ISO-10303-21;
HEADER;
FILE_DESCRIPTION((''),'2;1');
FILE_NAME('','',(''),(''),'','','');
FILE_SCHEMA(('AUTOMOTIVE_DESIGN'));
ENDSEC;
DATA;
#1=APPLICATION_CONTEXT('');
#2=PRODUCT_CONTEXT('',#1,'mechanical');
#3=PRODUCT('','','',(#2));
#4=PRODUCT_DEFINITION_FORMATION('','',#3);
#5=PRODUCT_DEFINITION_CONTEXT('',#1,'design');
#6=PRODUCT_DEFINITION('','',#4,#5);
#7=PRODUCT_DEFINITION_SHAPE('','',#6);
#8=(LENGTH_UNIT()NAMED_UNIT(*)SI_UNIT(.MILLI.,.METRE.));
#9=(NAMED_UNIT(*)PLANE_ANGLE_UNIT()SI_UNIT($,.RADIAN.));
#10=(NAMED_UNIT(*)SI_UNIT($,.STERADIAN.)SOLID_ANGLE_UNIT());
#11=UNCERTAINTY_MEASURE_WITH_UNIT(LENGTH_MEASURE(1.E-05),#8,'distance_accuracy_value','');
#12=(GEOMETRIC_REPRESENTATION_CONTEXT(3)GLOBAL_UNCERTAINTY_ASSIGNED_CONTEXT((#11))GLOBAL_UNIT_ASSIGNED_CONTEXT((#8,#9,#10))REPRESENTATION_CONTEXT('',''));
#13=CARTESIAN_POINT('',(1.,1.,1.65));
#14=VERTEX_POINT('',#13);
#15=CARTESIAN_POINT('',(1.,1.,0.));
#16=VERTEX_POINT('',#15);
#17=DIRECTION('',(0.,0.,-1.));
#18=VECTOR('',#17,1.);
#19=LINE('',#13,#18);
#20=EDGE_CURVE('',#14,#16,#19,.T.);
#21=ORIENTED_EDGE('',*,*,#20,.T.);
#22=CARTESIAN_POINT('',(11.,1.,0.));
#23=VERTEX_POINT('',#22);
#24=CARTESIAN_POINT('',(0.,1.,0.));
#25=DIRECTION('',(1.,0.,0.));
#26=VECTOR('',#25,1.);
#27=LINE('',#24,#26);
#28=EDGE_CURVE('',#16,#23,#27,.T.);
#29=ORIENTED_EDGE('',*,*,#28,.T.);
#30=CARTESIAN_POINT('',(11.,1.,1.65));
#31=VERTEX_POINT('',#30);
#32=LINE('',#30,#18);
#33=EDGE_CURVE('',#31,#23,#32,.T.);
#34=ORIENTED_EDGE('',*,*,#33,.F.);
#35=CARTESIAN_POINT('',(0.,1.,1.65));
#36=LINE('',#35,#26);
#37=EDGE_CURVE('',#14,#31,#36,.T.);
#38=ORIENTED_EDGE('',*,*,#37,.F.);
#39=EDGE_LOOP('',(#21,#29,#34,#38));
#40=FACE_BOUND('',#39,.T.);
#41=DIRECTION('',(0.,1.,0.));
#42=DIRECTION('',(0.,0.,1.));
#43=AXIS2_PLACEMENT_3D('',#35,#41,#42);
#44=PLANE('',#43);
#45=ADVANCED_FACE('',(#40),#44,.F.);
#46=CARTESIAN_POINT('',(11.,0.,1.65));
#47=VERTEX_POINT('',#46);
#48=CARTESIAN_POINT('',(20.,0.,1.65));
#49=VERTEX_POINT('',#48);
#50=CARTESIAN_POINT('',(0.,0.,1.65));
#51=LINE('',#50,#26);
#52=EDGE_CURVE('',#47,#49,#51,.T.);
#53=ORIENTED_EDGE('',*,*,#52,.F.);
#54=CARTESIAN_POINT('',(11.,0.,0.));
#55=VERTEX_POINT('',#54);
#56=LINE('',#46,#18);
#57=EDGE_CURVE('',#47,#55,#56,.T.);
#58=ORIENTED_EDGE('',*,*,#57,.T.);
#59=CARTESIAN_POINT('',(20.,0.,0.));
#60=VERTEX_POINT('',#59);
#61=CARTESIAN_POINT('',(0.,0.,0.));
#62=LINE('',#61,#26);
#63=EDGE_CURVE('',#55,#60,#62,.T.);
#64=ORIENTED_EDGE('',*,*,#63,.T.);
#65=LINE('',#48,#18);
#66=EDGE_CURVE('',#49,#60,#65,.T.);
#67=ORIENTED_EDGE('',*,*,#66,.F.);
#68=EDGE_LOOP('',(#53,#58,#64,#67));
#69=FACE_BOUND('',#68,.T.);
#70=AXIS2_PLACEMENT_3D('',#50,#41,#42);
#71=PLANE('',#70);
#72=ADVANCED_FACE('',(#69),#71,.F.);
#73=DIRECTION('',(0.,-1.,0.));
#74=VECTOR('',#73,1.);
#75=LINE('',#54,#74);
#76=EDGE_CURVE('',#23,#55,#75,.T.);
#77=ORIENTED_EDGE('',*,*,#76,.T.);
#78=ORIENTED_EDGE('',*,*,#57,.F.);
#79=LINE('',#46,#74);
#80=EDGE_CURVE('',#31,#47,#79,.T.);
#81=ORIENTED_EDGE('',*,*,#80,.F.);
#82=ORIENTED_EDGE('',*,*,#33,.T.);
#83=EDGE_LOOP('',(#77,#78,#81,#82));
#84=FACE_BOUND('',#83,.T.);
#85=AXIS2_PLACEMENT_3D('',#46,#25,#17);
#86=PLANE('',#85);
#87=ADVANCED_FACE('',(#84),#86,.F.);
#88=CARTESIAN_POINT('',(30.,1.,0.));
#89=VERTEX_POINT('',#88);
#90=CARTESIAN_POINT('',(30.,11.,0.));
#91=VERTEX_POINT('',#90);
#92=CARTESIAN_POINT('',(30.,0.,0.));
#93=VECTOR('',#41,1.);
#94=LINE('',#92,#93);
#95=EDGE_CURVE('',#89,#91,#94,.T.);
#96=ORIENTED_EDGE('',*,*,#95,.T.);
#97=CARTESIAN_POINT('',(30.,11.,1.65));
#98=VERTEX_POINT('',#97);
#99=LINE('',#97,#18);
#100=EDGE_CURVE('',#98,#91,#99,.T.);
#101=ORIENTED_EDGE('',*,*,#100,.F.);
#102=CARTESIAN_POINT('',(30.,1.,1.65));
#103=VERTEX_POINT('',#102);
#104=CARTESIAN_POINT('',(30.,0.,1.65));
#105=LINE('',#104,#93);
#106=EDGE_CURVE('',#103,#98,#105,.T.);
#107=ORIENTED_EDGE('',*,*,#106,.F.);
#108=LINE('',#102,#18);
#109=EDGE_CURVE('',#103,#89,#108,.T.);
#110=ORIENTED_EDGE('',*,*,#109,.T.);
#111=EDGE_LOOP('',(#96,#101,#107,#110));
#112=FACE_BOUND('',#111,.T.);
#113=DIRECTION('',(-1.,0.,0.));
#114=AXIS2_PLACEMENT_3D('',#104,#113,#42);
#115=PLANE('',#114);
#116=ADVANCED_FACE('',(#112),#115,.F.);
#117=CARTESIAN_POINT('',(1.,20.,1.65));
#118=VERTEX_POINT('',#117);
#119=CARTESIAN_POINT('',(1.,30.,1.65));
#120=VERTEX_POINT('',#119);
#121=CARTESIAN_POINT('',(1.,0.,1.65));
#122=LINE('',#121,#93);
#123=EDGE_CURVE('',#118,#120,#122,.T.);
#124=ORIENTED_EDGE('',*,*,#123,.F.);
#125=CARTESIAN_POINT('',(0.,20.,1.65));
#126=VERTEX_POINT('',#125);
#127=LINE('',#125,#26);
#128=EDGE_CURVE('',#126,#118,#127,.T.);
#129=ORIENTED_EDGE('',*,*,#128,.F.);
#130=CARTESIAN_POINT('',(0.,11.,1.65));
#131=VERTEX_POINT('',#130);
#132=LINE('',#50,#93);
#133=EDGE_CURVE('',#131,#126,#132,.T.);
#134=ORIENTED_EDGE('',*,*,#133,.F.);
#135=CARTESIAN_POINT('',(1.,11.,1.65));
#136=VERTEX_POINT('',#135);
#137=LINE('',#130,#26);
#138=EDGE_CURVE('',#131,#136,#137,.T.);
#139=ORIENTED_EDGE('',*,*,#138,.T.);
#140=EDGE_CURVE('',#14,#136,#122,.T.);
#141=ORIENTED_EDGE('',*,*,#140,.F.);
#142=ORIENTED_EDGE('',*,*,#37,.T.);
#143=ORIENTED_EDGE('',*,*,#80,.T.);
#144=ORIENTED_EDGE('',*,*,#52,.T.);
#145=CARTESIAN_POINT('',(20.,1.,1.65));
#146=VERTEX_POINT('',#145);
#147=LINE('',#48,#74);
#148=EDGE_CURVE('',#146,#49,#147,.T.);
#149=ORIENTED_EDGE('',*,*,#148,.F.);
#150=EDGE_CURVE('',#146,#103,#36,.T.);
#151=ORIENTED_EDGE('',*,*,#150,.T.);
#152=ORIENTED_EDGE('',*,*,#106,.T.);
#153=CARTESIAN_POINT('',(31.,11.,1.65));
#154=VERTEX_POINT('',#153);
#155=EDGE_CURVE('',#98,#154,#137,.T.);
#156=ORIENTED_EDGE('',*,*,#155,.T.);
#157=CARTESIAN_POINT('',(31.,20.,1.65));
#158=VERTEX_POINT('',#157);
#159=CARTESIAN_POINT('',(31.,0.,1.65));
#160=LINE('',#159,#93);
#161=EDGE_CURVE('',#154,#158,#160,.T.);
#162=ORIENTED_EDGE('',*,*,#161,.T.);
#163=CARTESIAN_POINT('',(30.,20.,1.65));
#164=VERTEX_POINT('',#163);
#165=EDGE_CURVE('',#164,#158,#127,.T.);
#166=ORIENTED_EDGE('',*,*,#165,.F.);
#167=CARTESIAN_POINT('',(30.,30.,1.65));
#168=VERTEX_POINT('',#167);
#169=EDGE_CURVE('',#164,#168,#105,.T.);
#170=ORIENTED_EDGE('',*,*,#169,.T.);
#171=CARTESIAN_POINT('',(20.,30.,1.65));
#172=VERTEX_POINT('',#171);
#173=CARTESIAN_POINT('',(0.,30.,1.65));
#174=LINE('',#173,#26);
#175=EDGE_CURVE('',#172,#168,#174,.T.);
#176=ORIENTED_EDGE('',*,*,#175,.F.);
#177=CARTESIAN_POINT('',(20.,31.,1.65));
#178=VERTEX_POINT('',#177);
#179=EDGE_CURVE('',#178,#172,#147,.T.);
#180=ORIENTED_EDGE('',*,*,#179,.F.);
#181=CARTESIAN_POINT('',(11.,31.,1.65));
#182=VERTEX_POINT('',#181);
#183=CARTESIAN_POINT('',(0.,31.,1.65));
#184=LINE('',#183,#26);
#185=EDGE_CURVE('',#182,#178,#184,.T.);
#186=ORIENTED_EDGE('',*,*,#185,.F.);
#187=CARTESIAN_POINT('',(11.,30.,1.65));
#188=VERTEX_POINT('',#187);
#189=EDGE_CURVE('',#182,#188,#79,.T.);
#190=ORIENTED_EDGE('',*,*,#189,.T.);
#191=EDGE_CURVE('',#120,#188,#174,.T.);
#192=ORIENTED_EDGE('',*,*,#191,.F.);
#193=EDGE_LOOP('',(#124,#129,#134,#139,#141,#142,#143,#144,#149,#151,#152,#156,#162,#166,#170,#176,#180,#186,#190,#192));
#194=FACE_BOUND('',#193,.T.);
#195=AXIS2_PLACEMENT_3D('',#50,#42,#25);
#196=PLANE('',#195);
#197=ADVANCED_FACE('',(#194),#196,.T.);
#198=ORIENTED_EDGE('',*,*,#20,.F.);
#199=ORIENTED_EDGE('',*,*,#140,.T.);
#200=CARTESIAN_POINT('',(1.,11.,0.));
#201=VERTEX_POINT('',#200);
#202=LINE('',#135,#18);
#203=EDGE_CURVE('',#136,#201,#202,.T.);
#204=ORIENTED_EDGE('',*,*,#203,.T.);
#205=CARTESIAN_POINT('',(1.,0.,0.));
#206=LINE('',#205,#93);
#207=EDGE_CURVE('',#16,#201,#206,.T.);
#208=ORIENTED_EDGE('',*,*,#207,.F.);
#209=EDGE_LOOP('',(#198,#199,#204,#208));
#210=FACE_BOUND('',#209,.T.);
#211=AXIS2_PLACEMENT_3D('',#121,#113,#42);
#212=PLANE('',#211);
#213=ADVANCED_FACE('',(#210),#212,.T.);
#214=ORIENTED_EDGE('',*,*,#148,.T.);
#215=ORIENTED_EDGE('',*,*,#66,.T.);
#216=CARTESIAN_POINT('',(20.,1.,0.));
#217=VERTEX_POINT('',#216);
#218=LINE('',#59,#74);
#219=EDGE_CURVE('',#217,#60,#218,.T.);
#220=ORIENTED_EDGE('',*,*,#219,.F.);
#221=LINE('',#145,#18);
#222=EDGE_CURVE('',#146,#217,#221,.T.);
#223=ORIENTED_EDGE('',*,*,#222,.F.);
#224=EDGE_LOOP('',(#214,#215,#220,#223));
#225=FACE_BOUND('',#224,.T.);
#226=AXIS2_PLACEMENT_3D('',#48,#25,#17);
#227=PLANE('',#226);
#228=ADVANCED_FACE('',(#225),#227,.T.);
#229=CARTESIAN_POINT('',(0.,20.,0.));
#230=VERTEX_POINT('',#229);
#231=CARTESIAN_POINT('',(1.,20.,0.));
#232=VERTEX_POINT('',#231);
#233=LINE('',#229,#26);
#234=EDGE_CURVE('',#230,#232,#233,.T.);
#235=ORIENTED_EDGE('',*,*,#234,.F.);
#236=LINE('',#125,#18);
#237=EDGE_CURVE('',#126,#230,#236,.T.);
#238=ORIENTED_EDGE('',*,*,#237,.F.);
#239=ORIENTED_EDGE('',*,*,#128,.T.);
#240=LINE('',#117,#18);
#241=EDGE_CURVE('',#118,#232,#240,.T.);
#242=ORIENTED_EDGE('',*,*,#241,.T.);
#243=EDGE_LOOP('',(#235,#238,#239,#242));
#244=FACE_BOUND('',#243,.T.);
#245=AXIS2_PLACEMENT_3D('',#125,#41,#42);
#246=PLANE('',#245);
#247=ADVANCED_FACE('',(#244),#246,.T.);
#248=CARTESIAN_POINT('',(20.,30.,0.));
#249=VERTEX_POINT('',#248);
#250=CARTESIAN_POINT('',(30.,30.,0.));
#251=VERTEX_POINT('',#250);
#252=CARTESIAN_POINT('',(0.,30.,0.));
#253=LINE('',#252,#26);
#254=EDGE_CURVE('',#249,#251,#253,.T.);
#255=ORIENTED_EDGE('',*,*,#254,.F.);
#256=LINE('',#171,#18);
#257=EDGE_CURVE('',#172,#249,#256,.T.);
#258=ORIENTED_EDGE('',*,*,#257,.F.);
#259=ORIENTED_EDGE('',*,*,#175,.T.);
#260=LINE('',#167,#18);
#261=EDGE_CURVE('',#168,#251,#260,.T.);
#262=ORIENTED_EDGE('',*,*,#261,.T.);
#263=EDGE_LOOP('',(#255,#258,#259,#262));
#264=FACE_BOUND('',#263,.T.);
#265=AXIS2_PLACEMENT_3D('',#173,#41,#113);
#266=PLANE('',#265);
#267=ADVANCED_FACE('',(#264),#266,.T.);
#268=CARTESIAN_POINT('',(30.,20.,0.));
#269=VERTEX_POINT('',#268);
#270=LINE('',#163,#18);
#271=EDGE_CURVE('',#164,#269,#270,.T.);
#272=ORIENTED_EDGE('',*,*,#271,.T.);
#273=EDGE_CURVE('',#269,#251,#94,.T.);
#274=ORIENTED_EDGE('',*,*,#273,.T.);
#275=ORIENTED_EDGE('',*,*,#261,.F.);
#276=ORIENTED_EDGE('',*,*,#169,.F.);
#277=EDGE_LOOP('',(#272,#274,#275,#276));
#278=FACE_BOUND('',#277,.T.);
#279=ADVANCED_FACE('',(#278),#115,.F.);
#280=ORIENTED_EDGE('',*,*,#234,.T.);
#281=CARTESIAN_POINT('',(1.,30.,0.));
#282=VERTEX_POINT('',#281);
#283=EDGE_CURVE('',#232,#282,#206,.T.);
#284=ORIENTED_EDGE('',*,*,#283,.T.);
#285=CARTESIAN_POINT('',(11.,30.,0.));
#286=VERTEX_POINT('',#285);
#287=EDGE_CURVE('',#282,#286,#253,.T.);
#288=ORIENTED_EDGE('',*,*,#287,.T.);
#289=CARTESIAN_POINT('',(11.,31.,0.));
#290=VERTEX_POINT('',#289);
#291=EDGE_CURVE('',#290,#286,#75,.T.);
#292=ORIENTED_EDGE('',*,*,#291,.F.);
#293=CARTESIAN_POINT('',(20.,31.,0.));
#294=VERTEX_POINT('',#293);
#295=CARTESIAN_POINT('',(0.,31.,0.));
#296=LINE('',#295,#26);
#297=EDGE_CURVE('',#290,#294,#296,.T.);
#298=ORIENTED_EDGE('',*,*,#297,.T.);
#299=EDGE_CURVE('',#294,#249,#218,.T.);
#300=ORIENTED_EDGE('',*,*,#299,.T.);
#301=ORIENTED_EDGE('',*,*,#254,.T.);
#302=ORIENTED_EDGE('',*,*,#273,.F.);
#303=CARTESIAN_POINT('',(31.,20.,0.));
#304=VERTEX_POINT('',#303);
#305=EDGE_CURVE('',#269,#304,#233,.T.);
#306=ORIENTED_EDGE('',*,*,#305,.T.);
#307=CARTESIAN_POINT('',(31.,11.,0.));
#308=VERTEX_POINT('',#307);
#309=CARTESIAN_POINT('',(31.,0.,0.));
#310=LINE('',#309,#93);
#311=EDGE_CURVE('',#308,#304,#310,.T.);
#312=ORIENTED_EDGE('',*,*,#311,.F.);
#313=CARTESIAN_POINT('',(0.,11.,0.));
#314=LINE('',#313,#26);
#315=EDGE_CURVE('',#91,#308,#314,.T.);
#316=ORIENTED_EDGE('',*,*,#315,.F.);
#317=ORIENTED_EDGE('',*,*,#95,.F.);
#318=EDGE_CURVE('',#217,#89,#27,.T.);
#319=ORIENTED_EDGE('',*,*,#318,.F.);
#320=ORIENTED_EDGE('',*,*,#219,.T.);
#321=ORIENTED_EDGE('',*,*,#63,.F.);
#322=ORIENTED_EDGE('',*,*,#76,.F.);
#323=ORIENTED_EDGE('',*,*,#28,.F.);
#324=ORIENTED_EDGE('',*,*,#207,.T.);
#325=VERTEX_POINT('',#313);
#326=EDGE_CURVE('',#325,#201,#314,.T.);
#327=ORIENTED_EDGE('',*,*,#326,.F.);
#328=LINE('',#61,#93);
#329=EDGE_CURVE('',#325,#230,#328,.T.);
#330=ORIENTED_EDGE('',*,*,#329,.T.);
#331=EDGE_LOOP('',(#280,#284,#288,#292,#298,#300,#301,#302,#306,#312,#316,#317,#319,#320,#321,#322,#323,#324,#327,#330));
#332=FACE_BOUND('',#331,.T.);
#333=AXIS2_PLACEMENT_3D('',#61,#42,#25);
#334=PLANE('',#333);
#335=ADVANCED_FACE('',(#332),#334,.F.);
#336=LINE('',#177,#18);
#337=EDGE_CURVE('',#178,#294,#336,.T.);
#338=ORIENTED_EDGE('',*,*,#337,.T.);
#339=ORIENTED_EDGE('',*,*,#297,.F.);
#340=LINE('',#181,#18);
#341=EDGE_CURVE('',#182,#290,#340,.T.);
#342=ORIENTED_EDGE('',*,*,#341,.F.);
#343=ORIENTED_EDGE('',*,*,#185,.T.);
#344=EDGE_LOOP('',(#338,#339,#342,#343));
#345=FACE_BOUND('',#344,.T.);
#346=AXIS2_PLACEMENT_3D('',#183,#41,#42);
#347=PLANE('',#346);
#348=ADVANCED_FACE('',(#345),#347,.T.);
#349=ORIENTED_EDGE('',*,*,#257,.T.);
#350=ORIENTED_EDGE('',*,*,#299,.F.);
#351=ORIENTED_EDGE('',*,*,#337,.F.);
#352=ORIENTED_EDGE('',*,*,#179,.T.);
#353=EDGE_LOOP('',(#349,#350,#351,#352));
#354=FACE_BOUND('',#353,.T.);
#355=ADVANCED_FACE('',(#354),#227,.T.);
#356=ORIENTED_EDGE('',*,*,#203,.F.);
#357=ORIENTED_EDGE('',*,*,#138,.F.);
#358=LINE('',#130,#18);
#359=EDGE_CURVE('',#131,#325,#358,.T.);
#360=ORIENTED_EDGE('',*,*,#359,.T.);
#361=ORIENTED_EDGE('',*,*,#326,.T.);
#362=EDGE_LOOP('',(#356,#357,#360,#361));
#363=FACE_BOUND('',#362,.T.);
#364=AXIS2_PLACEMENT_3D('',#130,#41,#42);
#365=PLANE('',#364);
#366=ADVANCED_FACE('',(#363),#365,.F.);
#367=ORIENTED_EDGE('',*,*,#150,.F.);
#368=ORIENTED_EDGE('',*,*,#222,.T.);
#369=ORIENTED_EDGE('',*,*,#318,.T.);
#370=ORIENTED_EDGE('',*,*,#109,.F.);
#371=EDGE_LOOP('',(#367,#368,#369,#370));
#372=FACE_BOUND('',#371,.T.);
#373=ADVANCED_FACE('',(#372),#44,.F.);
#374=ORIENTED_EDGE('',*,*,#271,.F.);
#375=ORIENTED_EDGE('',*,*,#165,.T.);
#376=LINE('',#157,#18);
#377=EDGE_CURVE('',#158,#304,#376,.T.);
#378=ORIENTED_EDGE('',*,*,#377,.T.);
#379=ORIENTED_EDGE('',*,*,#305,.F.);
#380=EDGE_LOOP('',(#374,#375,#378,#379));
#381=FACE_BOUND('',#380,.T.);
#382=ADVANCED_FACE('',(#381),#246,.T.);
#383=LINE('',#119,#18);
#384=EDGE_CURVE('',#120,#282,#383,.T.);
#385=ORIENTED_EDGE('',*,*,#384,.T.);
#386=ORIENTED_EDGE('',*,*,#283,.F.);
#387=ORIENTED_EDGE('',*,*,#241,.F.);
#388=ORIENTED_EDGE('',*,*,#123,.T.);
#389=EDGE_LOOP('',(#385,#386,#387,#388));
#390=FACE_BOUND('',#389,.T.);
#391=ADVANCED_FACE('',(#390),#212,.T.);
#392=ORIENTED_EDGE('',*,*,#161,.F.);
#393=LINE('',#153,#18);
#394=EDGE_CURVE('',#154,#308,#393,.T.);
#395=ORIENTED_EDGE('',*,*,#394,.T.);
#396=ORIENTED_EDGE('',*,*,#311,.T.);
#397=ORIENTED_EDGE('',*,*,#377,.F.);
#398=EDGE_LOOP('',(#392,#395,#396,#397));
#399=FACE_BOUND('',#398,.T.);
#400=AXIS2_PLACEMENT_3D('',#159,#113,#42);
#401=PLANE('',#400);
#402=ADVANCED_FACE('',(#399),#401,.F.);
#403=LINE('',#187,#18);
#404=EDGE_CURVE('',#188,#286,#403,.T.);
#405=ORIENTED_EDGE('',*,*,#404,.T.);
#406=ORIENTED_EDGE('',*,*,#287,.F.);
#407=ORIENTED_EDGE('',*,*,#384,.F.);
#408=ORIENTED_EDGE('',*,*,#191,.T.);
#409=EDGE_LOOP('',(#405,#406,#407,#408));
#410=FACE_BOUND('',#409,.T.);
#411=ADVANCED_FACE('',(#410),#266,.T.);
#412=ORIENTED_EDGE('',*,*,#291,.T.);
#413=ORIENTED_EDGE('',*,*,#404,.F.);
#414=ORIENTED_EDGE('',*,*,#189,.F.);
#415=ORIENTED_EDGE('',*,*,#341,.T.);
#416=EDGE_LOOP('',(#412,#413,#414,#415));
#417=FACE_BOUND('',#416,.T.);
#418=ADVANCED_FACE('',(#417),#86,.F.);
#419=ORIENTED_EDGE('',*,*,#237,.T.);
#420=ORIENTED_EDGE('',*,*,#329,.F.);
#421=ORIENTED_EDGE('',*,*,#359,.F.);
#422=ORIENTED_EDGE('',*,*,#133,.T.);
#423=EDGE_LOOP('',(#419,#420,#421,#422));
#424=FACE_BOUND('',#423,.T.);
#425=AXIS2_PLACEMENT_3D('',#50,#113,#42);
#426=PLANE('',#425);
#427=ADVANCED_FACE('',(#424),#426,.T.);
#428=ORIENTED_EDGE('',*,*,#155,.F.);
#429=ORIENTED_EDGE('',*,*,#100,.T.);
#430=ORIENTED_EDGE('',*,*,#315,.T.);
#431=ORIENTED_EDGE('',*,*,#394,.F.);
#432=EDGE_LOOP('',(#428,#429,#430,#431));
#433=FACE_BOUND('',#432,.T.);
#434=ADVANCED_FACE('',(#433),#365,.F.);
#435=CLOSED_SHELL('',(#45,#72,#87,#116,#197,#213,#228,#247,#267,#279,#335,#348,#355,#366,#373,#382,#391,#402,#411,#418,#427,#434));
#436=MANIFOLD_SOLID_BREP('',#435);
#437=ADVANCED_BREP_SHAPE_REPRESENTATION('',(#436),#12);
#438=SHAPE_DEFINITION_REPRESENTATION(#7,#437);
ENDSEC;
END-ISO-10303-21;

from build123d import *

# Parameters (mm, degrees)
SKETCH1_W           = 29
SKETCH1_H           = 29
SKETCH1_W_2         = 1
SKETCH1_H_2         = 9
SKETCH1_W_3         = 9
SKETCH1_H_3         = 1
BOSS_EXTRUDE1_DEPTH = 1.65


with BuildPart() as part:
    # Sketch1 → Boss-Extrude1 (new body)
    with BuildSketch(Plane.XY):
        with Locations((15.5, 15.5)):
            Rectangle(SKETCH1_W, SKETCH1_H)
        with Locations((0.5, 15.5)):
            Rectangle(SKETCH1_W_2, SKETCH1_H_2)
        with Locations((15.5, 30.5)):
            Rectangle(SKETCH1_W_3, SKETCH1_H_3)
        with Locations((30.5, 15.5)):
            Rectangle(SKETCH1_W_2, SKETCH1_H_2)
        with Locations((15.5, 0.5)):
            Rectangle(SKETCH1_W_3, SKETCH1_H_3)
    extrude(amount=BOSS_EXTRUDE1_DEPTH)


solid = part.part
